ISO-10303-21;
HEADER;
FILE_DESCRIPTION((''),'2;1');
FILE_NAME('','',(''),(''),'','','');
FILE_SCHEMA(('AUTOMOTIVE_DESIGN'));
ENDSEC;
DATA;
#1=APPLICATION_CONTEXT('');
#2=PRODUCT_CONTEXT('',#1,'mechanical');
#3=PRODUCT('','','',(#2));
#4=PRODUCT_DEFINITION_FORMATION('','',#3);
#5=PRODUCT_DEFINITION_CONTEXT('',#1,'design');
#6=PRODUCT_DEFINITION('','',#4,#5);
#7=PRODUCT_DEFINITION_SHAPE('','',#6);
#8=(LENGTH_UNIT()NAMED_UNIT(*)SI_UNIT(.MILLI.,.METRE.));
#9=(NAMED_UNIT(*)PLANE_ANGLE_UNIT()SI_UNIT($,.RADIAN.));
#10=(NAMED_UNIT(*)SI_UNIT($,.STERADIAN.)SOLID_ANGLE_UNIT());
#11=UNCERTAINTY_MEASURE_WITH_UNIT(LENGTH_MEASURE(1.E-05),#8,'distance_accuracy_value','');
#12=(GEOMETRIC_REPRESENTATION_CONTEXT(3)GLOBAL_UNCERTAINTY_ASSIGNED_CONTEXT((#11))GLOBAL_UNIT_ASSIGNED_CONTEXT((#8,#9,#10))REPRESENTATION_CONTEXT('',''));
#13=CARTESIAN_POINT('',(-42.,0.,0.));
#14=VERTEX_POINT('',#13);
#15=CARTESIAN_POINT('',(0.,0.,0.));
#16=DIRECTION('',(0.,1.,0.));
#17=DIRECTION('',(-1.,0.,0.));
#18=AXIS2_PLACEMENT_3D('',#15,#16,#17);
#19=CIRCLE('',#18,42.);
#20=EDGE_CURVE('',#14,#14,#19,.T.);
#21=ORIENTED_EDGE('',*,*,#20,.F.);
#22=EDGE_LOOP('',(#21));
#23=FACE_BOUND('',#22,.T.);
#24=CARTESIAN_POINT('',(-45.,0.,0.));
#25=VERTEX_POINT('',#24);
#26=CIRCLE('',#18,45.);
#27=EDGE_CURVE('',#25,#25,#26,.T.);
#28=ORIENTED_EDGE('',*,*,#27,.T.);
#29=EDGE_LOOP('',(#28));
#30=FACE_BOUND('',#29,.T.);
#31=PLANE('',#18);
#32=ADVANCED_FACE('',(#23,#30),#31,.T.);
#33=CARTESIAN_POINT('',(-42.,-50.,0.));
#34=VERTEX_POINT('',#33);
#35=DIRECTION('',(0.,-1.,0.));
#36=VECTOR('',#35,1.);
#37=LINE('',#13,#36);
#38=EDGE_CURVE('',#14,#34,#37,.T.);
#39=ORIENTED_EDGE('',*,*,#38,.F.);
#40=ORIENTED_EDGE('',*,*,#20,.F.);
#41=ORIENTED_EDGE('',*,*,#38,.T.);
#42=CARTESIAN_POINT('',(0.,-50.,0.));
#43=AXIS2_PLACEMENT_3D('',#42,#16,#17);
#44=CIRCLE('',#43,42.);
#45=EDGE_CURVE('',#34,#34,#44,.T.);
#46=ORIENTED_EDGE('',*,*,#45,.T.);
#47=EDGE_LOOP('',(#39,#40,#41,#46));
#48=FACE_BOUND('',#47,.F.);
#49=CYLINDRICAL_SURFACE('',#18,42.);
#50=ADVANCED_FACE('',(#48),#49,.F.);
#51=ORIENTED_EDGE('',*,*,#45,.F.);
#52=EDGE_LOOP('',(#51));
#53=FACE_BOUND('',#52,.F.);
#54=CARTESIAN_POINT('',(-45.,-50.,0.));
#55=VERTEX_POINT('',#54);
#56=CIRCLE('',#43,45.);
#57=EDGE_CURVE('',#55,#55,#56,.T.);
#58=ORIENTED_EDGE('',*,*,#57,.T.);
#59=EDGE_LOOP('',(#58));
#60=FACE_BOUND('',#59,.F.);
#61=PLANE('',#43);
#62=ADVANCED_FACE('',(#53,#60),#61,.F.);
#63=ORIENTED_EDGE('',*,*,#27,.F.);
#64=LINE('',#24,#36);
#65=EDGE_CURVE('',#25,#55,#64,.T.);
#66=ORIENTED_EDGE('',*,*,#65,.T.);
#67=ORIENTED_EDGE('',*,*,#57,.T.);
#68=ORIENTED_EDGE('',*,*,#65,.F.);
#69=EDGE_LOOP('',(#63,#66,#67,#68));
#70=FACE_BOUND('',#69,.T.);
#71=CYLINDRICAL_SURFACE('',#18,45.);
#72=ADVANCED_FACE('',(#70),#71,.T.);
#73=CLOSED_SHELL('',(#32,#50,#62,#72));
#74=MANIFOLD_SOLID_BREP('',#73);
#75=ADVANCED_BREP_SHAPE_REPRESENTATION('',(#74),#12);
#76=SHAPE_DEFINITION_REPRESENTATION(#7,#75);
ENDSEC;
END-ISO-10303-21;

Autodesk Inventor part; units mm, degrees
ref_plane "YZ Plane" through (0, 0, 0) normal (1, 0, 0) x (0, 1, 0)
ref_plane "XZ Plane" through (0, 0, 0) normal (0, 1, 0) x (-1, 0, 0)
ref_plane "XY Plane" through (0, 0, 0) normal (0, 0, 1) x (1, 0, 0)
sketch "Sketch1" plane through (0, 0, 0) normal (0, 1, 0) x (-1, 0, 0)
  circle A0 centre (0, 0) radius 45
  circle A1 centre (0, 0) radius 42
  dimension "d0" = 90
  dimension "d1" = 3
extrude "Extrusion1" add sketch "Sketch1" against normal blind 50
properties part number "PRS 1611 hatch tube 500mm_D1200 940" material "Steel"
